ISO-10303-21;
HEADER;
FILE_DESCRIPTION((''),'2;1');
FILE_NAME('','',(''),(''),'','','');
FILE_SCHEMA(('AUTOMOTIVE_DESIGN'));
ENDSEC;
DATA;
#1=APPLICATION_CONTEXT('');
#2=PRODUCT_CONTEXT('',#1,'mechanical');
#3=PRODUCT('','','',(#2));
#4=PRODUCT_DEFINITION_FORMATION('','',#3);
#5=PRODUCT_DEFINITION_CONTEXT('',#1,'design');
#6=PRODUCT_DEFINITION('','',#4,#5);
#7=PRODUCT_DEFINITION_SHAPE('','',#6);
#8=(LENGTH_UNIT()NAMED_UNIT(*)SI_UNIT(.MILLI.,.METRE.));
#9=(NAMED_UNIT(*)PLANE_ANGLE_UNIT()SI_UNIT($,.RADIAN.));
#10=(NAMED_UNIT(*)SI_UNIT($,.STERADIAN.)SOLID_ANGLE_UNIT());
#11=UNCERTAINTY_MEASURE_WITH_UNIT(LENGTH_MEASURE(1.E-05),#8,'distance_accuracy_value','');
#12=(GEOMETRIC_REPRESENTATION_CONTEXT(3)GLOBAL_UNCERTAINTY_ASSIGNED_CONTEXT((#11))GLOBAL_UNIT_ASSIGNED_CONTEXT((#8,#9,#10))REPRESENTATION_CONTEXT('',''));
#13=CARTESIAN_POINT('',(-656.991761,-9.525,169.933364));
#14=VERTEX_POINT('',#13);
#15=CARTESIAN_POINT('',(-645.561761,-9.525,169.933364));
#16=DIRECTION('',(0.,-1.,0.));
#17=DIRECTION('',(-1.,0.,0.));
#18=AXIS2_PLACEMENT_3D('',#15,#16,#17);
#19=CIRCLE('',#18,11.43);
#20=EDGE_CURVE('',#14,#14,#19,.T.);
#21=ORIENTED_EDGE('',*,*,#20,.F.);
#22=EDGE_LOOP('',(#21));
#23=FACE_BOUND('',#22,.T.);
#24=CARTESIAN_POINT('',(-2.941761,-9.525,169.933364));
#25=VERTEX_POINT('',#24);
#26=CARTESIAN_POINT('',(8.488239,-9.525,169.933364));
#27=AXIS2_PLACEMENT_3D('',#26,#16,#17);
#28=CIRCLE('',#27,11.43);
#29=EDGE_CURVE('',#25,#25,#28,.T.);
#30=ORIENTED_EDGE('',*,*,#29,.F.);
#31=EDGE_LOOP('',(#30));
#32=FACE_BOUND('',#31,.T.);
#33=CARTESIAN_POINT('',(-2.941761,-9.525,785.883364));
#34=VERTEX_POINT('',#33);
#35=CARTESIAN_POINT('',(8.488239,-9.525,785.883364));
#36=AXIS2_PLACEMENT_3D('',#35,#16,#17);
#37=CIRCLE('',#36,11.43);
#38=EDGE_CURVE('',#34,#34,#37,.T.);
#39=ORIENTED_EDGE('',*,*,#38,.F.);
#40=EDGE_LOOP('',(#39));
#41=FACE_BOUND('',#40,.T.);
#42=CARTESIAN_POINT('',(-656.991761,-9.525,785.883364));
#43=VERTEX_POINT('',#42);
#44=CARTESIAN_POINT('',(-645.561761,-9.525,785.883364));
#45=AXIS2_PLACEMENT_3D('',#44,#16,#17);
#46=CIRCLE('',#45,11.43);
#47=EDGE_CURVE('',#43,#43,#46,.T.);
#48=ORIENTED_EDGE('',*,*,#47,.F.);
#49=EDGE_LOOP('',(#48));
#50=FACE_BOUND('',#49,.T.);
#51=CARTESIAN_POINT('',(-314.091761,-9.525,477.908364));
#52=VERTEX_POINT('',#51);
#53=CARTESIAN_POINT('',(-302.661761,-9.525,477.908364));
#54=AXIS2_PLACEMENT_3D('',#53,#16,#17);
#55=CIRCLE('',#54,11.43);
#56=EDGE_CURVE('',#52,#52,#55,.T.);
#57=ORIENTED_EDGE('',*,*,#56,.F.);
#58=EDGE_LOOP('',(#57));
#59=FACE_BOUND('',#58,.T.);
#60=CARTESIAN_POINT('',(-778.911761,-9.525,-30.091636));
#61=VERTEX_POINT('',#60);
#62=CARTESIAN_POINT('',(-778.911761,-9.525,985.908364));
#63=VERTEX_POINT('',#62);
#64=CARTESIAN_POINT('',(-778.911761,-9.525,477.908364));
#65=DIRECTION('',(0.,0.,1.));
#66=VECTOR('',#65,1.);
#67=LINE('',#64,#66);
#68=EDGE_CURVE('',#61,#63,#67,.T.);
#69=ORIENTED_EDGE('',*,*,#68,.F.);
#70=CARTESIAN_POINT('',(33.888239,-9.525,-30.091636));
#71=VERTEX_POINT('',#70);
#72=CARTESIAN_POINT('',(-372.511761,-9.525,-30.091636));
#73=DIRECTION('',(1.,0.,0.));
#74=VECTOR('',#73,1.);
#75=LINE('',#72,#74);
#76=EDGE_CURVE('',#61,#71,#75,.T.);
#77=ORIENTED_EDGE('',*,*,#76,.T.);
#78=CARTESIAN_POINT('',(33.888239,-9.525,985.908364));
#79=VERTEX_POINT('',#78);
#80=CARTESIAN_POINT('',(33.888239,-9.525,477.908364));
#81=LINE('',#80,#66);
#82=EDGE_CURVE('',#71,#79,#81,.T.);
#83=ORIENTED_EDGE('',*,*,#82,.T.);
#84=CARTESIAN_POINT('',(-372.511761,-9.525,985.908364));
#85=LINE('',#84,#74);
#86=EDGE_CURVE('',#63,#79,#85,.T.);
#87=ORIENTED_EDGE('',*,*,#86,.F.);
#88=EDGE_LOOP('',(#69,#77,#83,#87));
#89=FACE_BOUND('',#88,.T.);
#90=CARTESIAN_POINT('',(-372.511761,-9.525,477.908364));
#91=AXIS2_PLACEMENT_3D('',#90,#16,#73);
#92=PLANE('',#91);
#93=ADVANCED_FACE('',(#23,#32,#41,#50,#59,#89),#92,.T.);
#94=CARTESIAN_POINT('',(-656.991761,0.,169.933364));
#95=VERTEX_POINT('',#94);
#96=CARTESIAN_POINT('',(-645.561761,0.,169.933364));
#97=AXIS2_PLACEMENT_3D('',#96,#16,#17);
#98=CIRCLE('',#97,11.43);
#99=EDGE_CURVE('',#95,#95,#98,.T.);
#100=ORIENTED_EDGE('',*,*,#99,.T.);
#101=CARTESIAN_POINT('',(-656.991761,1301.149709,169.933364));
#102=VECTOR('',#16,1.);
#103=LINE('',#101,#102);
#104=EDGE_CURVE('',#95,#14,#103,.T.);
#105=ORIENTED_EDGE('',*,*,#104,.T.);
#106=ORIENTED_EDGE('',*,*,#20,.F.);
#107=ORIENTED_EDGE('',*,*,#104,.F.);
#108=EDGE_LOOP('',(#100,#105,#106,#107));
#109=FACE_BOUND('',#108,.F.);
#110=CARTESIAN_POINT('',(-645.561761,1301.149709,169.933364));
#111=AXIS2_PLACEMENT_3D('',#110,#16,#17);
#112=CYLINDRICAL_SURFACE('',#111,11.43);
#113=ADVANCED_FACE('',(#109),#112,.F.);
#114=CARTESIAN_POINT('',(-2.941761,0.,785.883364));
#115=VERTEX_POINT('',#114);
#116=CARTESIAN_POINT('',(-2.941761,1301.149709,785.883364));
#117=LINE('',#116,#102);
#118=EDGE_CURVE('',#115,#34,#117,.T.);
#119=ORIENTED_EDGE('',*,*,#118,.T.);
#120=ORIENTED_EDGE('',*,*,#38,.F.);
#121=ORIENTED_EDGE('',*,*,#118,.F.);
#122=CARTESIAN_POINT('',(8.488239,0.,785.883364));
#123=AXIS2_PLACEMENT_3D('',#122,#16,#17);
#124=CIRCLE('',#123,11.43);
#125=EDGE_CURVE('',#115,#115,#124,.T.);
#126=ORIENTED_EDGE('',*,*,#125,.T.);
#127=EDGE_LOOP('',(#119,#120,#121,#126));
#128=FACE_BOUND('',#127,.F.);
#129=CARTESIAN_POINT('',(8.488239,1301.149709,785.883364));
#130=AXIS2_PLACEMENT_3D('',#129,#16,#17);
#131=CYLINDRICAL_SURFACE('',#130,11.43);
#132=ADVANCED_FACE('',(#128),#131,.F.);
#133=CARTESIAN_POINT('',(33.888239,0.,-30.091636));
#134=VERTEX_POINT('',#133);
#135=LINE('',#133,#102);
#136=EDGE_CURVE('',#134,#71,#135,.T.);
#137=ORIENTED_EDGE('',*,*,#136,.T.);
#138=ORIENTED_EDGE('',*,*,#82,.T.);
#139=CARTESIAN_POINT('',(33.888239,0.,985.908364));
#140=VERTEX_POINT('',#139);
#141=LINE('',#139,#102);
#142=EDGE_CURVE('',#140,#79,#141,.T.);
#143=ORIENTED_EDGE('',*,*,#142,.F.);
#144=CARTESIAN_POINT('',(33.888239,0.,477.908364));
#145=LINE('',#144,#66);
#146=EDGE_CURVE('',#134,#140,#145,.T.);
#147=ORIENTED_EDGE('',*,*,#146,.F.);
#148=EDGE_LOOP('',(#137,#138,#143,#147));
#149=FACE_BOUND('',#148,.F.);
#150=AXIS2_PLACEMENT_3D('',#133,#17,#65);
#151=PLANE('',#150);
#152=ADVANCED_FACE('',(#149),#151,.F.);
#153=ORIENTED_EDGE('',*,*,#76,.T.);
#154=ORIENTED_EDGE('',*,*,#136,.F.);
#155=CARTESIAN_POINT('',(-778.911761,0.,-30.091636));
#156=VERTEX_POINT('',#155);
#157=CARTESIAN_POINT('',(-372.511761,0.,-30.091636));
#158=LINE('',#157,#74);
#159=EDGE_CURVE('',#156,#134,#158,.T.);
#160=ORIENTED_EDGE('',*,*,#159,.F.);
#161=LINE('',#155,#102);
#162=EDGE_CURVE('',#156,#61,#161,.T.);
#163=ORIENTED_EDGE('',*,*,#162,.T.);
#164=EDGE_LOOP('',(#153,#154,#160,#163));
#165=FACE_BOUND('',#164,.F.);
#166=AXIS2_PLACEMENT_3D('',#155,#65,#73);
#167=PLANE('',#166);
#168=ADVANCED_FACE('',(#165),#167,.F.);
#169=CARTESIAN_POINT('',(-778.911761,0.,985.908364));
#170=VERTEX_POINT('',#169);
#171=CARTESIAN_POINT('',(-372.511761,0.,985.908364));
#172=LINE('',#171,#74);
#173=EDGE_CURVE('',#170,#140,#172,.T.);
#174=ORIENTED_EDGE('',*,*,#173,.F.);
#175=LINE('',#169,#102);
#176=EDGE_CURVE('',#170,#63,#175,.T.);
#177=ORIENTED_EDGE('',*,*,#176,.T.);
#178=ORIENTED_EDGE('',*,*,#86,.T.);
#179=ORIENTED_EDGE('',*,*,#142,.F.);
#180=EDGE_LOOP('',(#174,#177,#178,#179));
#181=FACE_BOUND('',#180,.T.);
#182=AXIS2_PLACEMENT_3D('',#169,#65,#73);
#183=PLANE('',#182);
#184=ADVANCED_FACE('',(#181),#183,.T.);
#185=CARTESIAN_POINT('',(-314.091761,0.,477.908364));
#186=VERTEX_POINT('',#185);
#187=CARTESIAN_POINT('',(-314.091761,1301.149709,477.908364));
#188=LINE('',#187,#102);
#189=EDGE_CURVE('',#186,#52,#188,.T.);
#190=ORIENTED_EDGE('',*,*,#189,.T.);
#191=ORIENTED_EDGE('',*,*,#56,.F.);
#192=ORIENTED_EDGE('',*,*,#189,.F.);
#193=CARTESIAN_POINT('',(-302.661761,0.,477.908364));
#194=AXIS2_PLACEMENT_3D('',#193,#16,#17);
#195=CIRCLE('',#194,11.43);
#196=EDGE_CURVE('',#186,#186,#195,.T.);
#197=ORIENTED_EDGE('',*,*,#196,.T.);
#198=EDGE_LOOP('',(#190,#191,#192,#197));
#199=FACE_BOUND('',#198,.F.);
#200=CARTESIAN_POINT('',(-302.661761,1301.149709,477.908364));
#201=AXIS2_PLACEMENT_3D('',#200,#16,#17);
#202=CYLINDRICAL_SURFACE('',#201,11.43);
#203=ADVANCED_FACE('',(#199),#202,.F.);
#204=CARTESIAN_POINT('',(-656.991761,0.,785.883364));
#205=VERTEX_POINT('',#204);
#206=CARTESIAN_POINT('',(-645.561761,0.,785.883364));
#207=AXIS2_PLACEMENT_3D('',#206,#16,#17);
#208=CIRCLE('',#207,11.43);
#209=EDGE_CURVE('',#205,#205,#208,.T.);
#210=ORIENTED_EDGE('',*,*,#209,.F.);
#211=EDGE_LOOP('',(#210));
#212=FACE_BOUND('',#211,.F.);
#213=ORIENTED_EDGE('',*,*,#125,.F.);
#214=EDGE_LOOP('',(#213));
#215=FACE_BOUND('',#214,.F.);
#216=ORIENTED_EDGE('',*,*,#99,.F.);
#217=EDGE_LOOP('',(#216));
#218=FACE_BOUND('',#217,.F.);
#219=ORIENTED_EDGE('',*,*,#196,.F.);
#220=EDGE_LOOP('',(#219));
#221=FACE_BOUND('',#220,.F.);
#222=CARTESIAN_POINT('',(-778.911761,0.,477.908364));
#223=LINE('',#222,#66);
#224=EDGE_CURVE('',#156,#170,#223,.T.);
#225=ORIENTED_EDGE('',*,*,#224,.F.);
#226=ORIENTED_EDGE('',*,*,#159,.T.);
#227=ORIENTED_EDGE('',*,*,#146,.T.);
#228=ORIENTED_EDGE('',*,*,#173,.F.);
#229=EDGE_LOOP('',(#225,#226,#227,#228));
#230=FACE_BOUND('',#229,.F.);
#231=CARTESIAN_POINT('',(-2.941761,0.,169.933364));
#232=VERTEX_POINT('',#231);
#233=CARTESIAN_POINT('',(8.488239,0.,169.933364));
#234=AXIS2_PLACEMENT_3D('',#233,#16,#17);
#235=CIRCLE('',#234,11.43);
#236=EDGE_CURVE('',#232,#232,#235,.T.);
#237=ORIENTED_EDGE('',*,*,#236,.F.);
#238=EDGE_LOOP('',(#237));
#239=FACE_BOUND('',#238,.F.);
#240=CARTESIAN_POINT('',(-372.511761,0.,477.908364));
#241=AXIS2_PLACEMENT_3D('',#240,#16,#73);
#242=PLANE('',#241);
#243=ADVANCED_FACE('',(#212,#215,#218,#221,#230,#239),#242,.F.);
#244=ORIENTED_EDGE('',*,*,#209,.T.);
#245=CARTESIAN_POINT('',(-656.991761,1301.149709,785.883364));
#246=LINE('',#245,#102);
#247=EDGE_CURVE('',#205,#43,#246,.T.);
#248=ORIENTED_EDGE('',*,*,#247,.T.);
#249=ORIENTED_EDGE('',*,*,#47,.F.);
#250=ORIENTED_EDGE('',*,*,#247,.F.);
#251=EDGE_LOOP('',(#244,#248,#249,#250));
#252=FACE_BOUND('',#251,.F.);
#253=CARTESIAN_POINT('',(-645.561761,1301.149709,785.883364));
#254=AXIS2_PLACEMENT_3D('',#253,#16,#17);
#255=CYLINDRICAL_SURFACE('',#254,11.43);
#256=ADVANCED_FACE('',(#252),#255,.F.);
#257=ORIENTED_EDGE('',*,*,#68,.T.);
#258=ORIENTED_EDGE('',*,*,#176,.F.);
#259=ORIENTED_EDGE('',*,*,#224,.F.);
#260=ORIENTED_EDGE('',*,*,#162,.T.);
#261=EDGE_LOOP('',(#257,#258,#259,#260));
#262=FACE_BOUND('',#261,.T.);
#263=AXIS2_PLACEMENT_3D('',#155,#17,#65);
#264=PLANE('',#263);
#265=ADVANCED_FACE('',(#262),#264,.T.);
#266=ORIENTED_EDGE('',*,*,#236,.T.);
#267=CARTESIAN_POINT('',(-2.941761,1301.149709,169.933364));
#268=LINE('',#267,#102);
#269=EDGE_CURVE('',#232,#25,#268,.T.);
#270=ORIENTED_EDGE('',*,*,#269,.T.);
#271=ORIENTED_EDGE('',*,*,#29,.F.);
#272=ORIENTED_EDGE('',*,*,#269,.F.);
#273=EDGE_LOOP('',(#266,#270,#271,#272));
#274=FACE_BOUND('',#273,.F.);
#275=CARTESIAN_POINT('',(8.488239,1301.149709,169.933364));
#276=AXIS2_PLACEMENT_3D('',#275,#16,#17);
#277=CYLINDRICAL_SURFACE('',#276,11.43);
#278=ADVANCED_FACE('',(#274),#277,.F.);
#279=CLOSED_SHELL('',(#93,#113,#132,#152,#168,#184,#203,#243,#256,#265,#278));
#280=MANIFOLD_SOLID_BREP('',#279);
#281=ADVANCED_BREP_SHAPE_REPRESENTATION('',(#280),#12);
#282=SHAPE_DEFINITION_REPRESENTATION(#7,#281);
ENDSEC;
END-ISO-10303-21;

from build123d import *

# Parameters (mm, degrees)
F0_W     = 812.8
F0_H     = 1016
F1_DEPTH = 9.525
F3_D     = 22.86


with BuildPart() as f1:
    # F0 (on Front) → F1 (new body)
    with BuildSketch(Plane.XZ):
        with Locations((-372.5117605865, 477.9083641171)):
            Rectangle(F0_W, F0_H)
    extrude(amount=F1_DEPTH)

    # F3 (through all)
    with Locations(Plane(origin=(0, 0, 0), x_dir=(1, 0, 0), z_dir=(0, 1, 0))):
        with Locations((-645.5617605865, -785.8833641171), (8.4882394135, -785.8833641171), (-302.6617605865, -477.9083641171), (8.4882394135, -169.9333641171), (-645.5617605865, -169.9333641171)):
            Hole(F3_D / 2)


solid = f1.part
